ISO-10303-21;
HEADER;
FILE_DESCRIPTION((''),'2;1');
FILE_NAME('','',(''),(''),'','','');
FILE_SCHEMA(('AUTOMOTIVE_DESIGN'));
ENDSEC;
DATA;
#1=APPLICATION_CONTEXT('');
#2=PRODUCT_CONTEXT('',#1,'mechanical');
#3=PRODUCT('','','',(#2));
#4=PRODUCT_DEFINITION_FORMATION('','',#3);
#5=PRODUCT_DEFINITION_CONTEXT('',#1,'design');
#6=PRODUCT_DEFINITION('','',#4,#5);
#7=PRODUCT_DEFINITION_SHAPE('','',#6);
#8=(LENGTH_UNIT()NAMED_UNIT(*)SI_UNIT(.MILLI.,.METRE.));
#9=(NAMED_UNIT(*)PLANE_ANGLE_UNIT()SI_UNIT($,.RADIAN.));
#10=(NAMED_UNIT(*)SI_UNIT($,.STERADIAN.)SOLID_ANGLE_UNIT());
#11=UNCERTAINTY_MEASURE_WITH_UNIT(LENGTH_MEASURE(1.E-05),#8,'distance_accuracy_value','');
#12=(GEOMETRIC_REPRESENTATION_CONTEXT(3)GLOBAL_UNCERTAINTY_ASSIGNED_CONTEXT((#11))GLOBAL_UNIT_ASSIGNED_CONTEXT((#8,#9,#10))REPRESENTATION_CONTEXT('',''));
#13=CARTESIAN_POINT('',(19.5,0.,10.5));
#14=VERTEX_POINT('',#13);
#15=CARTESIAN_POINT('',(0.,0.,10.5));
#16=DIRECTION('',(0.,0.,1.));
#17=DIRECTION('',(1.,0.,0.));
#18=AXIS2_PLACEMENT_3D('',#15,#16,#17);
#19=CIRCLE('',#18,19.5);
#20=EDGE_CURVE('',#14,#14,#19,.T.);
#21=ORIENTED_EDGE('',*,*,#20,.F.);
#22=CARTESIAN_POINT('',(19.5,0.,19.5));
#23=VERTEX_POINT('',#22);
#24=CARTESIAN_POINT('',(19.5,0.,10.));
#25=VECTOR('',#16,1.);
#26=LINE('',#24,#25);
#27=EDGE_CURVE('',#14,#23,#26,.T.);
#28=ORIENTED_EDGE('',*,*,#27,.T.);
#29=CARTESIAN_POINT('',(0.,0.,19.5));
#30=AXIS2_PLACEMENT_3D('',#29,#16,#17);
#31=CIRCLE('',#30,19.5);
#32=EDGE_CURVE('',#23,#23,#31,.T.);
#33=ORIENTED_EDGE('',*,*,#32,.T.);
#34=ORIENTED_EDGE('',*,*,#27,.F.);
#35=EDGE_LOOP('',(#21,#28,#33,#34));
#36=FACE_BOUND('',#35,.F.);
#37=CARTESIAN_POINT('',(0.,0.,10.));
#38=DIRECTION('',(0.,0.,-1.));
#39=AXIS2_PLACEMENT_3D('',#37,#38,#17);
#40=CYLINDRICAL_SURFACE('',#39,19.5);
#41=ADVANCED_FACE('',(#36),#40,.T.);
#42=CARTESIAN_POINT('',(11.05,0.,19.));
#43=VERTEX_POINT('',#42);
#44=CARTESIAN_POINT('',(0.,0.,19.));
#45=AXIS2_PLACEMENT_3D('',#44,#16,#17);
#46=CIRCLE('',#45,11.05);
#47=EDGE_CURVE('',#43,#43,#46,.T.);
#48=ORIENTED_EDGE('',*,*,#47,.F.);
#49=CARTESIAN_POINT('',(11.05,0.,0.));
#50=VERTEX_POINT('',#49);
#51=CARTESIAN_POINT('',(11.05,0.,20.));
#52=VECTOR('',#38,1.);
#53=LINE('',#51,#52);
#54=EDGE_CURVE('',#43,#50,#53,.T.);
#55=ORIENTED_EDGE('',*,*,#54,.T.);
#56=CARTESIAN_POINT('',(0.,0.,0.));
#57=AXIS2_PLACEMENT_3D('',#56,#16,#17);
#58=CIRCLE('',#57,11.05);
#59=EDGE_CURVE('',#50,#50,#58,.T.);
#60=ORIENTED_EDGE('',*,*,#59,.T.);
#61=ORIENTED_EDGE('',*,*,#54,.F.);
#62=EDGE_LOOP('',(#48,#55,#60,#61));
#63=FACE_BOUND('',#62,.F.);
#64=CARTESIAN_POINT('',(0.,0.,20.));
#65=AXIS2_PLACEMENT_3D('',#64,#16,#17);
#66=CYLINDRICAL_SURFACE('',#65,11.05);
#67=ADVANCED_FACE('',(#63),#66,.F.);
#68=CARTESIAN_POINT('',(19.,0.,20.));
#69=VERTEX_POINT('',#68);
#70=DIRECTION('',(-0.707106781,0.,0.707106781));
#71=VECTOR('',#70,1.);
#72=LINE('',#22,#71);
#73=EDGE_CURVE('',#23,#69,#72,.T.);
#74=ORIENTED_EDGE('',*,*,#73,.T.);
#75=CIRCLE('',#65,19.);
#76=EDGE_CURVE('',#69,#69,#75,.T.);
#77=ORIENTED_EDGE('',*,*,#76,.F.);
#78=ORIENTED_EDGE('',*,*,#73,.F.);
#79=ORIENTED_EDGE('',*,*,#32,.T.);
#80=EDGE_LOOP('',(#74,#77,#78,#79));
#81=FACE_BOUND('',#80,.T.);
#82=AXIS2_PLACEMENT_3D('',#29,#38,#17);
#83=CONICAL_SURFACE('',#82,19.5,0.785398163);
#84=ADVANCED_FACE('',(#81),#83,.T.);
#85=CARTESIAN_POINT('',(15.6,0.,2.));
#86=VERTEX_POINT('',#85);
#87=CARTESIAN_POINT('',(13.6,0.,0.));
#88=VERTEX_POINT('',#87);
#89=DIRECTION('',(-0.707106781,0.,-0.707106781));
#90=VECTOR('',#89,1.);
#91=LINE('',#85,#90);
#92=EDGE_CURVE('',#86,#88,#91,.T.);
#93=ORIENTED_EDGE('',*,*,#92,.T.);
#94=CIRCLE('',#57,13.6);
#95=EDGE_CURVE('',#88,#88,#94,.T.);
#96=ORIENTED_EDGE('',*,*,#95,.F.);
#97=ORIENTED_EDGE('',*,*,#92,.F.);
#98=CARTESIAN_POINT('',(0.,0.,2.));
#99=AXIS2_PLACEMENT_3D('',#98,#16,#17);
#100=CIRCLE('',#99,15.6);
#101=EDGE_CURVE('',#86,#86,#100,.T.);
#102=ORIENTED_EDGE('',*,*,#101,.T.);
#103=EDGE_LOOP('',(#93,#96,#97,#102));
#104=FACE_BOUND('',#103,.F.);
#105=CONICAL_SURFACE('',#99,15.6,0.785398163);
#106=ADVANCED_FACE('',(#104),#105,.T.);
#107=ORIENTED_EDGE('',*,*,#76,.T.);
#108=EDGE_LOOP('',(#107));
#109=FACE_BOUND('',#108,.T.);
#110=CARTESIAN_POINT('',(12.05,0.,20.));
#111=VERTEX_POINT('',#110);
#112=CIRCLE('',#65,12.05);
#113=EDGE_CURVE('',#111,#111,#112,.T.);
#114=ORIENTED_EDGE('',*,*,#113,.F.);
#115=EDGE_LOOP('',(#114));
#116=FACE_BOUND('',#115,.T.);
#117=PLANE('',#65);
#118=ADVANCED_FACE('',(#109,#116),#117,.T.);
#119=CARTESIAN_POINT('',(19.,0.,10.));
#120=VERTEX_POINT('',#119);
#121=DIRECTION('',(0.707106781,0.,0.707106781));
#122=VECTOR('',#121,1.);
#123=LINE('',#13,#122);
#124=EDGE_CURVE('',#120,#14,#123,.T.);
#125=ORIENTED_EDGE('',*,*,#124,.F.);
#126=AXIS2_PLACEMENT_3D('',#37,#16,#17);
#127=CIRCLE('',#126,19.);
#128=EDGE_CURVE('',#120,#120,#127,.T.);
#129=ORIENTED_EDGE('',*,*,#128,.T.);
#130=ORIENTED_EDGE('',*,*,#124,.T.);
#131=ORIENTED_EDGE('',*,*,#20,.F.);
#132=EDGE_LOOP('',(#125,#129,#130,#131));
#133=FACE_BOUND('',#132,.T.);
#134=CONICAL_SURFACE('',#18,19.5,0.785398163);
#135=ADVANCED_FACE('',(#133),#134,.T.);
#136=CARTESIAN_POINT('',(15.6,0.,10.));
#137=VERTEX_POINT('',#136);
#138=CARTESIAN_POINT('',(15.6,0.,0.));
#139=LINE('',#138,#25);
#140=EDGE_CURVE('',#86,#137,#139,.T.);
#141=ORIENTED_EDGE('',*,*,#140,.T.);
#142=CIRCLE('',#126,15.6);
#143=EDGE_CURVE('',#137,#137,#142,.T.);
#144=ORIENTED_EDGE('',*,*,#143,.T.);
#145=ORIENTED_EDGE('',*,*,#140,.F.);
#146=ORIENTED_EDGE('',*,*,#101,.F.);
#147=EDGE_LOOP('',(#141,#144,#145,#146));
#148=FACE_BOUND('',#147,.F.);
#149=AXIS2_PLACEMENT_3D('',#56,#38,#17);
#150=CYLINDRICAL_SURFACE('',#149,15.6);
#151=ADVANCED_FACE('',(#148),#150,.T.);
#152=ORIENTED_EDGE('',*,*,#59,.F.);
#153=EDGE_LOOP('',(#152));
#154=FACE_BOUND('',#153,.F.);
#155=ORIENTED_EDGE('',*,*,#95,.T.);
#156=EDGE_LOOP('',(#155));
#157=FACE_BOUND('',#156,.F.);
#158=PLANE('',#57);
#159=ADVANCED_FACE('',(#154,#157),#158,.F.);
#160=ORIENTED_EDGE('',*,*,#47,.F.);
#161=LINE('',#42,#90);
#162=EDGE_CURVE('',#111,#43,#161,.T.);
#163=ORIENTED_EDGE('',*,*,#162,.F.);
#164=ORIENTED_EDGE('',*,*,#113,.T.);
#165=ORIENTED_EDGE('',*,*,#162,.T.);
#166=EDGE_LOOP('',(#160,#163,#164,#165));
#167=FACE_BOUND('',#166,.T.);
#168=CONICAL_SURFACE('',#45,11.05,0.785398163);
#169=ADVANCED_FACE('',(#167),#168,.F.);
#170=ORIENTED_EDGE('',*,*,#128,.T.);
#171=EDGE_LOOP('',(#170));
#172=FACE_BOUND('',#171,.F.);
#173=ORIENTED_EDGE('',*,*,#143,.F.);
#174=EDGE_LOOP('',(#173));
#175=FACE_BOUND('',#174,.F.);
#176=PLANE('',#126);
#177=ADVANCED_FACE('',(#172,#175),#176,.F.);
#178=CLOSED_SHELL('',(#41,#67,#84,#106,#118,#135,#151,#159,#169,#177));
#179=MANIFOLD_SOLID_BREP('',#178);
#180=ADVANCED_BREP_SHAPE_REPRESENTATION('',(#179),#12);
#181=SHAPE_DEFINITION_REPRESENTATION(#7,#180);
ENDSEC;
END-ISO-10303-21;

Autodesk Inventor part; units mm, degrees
ref_plane "YZ Plane" through (0, 0, 0) normal (1, 0, 0) x (0, 1, 0)
ref_plane "XZ Plane" through (0, 0, 0) normal (0, 1, 0) x (-1, 0, 0)
ref_plane "XY Plane" through (0, 0, 0) normal (0, 0, 1) x (1, 0, 0)
sketch "スケッチ1" plane through (0, 0, 0) normal (0, 0, 1) x (1, 0, 0)
  circle A0 centre (0, 0) radius 15.6
  dimension "d0" = 31.2
extrude "押し出し1" add sketch "スケッチ1" along normal blind 10
sketch "スケッチ2" plane through (0, 0, 10) normal (0, 0, 1) x (1, 0, 0)
  circle A0 centre (0, 0) radius 15.6 projected
  circle A1 centre (0, 0) radius 19.5
  dimension "d3" = 39
extrude "押し出し2" add sketch "スケッチ2" along normal blind 10 contours A0 | A1
chamfer "面取り1" distance 2 angle 45 1 edges at (-15.6, 0, 0)
chamfer "面取り2" distance 0.5 angle 45 2 edges at (-19.5, 0, 20) (-19.5, 0, 10)
sketch "スケッチ3" plane through (0, 0, 20) normal (0, 0, 1) x (1, 0, 0)
  circle A0 centre (0, 0) radius 19 projected
  circle A1 centre (0, 0) radius 11.05
  dimension "d12" = 22.1
extrude "押し出し3" cut sketch "スケッチ3" against normal through all contours A1
chamfer "面取り3" distance 1 angle 45 1 edges at (-11.05, 0, 20)
properties part number "Print_Parts_A3" material "PC/ABS プラスチック"
